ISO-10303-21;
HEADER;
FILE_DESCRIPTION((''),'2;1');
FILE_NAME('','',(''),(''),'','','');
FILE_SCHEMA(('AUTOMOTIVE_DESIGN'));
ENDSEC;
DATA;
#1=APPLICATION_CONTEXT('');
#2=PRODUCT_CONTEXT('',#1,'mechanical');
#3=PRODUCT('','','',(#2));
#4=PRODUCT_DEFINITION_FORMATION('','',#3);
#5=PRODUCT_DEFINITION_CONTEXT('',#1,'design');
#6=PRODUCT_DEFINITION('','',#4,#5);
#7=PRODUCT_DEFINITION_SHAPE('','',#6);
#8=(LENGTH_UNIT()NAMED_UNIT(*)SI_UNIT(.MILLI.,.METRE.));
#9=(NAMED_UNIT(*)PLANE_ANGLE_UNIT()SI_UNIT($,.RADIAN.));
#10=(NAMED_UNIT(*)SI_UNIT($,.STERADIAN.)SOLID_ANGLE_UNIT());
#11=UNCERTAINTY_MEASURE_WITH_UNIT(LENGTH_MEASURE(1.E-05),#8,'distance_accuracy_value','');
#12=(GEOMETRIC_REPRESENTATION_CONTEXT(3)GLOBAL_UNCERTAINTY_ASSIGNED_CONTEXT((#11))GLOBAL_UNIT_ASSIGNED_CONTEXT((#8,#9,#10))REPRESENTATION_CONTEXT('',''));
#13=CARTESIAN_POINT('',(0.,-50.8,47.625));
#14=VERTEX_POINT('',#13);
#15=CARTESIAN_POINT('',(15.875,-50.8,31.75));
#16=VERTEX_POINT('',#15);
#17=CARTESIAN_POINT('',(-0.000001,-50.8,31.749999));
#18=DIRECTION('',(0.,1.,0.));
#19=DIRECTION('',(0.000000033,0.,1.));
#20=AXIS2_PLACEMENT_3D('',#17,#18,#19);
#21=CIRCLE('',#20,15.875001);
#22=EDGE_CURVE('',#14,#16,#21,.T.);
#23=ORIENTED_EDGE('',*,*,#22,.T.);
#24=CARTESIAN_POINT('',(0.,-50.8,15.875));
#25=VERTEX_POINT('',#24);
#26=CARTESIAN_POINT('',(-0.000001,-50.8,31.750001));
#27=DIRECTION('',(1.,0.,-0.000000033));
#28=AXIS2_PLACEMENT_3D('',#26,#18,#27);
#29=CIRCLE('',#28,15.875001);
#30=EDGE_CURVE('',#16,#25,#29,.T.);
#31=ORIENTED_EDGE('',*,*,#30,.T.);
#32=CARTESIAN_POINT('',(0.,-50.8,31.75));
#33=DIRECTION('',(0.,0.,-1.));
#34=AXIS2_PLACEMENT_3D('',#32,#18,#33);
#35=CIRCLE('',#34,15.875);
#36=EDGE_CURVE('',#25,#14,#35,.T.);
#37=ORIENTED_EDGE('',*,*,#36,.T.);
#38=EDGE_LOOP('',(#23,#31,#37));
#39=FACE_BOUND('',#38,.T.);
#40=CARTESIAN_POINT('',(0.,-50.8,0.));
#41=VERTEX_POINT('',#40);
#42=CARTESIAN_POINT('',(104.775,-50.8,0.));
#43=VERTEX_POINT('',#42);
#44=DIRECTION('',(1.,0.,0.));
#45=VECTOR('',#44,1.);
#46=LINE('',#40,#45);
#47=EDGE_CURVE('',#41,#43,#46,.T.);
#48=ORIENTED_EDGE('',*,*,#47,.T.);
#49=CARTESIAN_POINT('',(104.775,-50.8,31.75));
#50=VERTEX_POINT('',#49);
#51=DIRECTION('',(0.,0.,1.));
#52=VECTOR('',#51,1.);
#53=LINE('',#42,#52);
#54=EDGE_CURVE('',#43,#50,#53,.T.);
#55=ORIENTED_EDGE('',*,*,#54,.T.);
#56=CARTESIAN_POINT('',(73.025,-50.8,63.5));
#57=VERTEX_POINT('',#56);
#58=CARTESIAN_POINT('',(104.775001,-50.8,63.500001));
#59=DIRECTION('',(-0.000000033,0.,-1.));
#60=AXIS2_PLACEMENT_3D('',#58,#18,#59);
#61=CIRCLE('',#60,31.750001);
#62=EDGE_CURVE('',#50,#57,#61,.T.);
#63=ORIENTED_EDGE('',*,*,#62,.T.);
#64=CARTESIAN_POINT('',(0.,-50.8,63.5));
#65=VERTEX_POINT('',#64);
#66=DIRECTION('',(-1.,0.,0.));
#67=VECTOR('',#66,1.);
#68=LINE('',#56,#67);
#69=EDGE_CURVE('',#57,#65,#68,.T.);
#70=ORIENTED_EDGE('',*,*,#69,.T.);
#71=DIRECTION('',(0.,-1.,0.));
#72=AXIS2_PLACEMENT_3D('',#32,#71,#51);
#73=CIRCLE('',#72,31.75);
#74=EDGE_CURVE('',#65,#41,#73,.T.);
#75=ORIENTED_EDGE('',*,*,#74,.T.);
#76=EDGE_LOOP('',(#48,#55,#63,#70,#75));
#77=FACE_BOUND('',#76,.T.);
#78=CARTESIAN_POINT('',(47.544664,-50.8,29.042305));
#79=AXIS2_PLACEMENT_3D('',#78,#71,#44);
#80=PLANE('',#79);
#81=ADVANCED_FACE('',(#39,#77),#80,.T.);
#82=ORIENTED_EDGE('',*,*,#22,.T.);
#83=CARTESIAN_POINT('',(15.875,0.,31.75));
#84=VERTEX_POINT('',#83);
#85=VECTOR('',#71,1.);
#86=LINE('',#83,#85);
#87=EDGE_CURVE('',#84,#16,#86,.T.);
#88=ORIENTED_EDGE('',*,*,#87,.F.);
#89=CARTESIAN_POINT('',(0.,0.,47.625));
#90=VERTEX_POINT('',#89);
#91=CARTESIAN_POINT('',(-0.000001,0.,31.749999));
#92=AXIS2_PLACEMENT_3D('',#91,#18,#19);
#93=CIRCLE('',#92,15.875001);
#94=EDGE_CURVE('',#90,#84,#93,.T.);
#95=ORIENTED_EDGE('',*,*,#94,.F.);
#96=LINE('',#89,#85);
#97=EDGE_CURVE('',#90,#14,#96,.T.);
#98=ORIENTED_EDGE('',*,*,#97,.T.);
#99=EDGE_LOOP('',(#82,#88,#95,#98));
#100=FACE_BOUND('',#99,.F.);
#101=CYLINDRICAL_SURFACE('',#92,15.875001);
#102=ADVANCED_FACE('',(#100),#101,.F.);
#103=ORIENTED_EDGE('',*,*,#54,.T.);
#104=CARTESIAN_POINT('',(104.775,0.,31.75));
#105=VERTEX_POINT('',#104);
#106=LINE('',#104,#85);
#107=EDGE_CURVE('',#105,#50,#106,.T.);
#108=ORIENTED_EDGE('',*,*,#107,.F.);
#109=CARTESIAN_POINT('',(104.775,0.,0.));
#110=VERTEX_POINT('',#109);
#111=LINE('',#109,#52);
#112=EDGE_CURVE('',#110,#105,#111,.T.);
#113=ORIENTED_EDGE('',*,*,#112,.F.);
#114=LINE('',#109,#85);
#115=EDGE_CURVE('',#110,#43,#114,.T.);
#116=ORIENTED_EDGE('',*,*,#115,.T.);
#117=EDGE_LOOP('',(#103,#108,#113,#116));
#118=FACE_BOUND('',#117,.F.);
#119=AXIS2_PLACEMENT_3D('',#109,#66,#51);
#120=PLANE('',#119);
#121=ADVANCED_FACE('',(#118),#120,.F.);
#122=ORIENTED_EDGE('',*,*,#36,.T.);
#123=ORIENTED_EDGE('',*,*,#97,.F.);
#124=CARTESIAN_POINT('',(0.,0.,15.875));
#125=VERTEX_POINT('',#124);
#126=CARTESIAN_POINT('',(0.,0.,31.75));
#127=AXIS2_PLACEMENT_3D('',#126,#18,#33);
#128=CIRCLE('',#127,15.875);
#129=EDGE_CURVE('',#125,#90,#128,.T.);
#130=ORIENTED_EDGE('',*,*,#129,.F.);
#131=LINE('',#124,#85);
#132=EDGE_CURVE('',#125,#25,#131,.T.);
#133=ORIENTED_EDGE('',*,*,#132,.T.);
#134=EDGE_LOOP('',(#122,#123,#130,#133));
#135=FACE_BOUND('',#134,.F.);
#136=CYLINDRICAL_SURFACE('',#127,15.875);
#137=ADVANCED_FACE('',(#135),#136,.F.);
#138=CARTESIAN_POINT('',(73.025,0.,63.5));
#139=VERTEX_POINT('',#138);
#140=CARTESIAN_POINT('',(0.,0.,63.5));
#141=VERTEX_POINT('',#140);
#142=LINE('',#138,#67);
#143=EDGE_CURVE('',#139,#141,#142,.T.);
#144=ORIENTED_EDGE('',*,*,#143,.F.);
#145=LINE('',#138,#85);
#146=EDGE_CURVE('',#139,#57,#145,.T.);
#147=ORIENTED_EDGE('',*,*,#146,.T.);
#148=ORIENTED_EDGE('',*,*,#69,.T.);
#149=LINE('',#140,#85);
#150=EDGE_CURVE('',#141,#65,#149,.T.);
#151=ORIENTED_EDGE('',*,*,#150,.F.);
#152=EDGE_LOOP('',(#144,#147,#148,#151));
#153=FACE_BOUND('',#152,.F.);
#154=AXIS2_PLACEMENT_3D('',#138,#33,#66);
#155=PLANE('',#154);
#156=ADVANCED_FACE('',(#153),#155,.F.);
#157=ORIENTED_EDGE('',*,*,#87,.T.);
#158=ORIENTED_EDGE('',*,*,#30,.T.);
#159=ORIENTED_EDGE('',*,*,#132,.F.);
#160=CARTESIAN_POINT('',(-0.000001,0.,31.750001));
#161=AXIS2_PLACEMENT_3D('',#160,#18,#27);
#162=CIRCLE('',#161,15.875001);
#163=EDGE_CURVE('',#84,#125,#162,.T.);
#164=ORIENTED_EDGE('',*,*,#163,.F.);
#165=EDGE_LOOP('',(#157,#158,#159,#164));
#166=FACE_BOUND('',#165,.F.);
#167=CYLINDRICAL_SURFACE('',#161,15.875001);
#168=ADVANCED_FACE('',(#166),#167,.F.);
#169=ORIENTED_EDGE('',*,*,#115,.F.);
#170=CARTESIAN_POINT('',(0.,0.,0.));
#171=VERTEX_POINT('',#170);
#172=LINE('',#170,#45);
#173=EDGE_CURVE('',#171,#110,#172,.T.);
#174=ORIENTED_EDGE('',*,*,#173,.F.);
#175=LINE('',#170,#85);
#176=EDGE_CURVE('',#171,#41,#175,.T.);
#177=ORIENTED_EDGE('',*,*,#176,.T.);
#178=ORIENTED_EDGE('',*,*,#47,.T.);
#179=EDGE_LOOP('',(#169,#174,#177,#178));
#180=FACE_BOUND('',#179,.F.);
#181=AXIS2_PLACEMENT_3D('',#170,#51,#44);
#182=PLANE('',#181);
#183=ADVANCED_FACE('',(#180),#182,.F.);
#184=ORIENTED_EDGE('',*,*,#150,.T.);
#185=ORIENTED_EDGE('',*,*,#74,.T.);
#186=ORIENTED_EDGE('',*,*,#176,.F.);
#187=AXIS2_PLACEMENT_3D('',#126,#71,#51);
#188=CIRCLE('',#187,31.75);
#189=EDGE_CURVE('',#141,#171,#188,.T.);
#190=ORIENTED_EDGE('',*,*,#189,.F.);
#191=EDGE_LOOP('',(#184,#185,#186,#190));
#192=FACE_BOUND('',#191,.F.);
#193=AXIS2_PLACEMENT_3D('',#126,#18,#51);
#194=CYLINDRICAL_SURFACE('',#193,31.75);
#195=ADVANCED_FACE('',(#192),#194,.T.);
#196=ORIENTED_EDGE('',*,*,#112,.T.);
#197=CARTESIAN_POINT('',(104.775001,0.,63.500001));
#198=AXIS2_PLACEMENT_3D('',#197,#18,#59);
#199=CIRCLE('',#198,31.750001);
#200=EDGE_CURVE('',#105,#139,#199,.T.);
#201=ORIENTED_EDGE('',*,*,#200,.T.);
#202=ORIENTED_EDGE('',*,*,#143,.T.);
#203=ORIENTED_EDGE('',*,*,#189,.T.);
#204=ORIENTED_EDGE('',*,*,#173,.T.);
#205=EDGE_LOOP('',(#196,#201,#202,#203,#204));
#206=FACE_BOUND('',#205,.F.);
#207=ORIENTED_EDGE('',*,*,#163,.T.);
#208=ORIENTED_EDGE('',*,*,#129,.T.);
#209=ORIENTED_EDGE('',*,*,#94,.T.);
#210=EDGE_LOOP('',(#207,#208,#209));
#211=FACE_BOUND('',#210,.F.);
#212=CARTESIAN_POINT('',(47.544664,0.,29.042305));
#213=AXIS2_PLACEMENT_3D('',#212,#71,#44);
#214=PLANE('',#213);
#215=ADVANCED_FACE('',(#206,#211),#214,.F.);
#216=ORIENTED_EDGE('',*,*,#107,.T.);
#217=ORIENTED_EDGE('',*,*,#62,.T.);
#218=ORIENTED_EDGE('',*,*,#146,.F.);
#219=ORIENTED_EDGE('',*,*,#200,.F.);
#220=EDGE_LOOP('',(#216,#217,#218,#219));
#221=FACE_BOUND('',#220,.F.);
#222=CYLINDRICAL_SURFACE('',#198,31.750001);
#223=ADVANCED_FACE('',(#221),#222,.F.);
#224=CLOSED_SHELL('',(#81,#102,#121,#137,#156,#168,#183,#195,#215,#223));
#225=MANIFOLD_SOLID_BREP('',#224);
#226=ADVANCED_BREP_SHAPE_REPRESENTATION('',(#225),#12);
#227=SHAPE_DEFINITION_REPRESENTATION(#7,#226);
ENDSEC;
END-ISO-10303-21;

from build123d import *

# Parameters (mm, degrees)
F1_DEPTH = 50.8


with BuildPart() as f1:
    # F0 (on Front) → F1 (new body)
    with BuildSketch(Plane.XZ):
        with BuildLine():
            Line((0, 0), (104.775, 0))
            Line((104.775, 0), (104.775, 31.75))
            ThreePointArc((104.775, 31.75), (82.32436, 41.04936), (73.025, 63.5))
            Line((73.025, 63.5), (0, 63.5))
            Line((0, 63.5), (0, 47.625))
            ThreePointArc((0, 47.625), (11.22532, 42.97532), (15.875, 31.75))
            ThreePointArc((15.875, 31.75), (11.22532, 20.52468), (0, 15.875))
            Line((0, 15.875), (0, 0))
        make_face()
        with BuildLine():
            ThreePointArc((0, 63.5), (-31.75, 31.75), (0, 0))
            Line((0, 0), (0, 15.875))
            ThreePointArc((0, 15.875), (-15.875, 31.75), (0, 47.625))
            Line((0, 47.625), (0, 63.5))
        make_face()
    extrude(amount=F1_DEPTH)


solid = f1.part
